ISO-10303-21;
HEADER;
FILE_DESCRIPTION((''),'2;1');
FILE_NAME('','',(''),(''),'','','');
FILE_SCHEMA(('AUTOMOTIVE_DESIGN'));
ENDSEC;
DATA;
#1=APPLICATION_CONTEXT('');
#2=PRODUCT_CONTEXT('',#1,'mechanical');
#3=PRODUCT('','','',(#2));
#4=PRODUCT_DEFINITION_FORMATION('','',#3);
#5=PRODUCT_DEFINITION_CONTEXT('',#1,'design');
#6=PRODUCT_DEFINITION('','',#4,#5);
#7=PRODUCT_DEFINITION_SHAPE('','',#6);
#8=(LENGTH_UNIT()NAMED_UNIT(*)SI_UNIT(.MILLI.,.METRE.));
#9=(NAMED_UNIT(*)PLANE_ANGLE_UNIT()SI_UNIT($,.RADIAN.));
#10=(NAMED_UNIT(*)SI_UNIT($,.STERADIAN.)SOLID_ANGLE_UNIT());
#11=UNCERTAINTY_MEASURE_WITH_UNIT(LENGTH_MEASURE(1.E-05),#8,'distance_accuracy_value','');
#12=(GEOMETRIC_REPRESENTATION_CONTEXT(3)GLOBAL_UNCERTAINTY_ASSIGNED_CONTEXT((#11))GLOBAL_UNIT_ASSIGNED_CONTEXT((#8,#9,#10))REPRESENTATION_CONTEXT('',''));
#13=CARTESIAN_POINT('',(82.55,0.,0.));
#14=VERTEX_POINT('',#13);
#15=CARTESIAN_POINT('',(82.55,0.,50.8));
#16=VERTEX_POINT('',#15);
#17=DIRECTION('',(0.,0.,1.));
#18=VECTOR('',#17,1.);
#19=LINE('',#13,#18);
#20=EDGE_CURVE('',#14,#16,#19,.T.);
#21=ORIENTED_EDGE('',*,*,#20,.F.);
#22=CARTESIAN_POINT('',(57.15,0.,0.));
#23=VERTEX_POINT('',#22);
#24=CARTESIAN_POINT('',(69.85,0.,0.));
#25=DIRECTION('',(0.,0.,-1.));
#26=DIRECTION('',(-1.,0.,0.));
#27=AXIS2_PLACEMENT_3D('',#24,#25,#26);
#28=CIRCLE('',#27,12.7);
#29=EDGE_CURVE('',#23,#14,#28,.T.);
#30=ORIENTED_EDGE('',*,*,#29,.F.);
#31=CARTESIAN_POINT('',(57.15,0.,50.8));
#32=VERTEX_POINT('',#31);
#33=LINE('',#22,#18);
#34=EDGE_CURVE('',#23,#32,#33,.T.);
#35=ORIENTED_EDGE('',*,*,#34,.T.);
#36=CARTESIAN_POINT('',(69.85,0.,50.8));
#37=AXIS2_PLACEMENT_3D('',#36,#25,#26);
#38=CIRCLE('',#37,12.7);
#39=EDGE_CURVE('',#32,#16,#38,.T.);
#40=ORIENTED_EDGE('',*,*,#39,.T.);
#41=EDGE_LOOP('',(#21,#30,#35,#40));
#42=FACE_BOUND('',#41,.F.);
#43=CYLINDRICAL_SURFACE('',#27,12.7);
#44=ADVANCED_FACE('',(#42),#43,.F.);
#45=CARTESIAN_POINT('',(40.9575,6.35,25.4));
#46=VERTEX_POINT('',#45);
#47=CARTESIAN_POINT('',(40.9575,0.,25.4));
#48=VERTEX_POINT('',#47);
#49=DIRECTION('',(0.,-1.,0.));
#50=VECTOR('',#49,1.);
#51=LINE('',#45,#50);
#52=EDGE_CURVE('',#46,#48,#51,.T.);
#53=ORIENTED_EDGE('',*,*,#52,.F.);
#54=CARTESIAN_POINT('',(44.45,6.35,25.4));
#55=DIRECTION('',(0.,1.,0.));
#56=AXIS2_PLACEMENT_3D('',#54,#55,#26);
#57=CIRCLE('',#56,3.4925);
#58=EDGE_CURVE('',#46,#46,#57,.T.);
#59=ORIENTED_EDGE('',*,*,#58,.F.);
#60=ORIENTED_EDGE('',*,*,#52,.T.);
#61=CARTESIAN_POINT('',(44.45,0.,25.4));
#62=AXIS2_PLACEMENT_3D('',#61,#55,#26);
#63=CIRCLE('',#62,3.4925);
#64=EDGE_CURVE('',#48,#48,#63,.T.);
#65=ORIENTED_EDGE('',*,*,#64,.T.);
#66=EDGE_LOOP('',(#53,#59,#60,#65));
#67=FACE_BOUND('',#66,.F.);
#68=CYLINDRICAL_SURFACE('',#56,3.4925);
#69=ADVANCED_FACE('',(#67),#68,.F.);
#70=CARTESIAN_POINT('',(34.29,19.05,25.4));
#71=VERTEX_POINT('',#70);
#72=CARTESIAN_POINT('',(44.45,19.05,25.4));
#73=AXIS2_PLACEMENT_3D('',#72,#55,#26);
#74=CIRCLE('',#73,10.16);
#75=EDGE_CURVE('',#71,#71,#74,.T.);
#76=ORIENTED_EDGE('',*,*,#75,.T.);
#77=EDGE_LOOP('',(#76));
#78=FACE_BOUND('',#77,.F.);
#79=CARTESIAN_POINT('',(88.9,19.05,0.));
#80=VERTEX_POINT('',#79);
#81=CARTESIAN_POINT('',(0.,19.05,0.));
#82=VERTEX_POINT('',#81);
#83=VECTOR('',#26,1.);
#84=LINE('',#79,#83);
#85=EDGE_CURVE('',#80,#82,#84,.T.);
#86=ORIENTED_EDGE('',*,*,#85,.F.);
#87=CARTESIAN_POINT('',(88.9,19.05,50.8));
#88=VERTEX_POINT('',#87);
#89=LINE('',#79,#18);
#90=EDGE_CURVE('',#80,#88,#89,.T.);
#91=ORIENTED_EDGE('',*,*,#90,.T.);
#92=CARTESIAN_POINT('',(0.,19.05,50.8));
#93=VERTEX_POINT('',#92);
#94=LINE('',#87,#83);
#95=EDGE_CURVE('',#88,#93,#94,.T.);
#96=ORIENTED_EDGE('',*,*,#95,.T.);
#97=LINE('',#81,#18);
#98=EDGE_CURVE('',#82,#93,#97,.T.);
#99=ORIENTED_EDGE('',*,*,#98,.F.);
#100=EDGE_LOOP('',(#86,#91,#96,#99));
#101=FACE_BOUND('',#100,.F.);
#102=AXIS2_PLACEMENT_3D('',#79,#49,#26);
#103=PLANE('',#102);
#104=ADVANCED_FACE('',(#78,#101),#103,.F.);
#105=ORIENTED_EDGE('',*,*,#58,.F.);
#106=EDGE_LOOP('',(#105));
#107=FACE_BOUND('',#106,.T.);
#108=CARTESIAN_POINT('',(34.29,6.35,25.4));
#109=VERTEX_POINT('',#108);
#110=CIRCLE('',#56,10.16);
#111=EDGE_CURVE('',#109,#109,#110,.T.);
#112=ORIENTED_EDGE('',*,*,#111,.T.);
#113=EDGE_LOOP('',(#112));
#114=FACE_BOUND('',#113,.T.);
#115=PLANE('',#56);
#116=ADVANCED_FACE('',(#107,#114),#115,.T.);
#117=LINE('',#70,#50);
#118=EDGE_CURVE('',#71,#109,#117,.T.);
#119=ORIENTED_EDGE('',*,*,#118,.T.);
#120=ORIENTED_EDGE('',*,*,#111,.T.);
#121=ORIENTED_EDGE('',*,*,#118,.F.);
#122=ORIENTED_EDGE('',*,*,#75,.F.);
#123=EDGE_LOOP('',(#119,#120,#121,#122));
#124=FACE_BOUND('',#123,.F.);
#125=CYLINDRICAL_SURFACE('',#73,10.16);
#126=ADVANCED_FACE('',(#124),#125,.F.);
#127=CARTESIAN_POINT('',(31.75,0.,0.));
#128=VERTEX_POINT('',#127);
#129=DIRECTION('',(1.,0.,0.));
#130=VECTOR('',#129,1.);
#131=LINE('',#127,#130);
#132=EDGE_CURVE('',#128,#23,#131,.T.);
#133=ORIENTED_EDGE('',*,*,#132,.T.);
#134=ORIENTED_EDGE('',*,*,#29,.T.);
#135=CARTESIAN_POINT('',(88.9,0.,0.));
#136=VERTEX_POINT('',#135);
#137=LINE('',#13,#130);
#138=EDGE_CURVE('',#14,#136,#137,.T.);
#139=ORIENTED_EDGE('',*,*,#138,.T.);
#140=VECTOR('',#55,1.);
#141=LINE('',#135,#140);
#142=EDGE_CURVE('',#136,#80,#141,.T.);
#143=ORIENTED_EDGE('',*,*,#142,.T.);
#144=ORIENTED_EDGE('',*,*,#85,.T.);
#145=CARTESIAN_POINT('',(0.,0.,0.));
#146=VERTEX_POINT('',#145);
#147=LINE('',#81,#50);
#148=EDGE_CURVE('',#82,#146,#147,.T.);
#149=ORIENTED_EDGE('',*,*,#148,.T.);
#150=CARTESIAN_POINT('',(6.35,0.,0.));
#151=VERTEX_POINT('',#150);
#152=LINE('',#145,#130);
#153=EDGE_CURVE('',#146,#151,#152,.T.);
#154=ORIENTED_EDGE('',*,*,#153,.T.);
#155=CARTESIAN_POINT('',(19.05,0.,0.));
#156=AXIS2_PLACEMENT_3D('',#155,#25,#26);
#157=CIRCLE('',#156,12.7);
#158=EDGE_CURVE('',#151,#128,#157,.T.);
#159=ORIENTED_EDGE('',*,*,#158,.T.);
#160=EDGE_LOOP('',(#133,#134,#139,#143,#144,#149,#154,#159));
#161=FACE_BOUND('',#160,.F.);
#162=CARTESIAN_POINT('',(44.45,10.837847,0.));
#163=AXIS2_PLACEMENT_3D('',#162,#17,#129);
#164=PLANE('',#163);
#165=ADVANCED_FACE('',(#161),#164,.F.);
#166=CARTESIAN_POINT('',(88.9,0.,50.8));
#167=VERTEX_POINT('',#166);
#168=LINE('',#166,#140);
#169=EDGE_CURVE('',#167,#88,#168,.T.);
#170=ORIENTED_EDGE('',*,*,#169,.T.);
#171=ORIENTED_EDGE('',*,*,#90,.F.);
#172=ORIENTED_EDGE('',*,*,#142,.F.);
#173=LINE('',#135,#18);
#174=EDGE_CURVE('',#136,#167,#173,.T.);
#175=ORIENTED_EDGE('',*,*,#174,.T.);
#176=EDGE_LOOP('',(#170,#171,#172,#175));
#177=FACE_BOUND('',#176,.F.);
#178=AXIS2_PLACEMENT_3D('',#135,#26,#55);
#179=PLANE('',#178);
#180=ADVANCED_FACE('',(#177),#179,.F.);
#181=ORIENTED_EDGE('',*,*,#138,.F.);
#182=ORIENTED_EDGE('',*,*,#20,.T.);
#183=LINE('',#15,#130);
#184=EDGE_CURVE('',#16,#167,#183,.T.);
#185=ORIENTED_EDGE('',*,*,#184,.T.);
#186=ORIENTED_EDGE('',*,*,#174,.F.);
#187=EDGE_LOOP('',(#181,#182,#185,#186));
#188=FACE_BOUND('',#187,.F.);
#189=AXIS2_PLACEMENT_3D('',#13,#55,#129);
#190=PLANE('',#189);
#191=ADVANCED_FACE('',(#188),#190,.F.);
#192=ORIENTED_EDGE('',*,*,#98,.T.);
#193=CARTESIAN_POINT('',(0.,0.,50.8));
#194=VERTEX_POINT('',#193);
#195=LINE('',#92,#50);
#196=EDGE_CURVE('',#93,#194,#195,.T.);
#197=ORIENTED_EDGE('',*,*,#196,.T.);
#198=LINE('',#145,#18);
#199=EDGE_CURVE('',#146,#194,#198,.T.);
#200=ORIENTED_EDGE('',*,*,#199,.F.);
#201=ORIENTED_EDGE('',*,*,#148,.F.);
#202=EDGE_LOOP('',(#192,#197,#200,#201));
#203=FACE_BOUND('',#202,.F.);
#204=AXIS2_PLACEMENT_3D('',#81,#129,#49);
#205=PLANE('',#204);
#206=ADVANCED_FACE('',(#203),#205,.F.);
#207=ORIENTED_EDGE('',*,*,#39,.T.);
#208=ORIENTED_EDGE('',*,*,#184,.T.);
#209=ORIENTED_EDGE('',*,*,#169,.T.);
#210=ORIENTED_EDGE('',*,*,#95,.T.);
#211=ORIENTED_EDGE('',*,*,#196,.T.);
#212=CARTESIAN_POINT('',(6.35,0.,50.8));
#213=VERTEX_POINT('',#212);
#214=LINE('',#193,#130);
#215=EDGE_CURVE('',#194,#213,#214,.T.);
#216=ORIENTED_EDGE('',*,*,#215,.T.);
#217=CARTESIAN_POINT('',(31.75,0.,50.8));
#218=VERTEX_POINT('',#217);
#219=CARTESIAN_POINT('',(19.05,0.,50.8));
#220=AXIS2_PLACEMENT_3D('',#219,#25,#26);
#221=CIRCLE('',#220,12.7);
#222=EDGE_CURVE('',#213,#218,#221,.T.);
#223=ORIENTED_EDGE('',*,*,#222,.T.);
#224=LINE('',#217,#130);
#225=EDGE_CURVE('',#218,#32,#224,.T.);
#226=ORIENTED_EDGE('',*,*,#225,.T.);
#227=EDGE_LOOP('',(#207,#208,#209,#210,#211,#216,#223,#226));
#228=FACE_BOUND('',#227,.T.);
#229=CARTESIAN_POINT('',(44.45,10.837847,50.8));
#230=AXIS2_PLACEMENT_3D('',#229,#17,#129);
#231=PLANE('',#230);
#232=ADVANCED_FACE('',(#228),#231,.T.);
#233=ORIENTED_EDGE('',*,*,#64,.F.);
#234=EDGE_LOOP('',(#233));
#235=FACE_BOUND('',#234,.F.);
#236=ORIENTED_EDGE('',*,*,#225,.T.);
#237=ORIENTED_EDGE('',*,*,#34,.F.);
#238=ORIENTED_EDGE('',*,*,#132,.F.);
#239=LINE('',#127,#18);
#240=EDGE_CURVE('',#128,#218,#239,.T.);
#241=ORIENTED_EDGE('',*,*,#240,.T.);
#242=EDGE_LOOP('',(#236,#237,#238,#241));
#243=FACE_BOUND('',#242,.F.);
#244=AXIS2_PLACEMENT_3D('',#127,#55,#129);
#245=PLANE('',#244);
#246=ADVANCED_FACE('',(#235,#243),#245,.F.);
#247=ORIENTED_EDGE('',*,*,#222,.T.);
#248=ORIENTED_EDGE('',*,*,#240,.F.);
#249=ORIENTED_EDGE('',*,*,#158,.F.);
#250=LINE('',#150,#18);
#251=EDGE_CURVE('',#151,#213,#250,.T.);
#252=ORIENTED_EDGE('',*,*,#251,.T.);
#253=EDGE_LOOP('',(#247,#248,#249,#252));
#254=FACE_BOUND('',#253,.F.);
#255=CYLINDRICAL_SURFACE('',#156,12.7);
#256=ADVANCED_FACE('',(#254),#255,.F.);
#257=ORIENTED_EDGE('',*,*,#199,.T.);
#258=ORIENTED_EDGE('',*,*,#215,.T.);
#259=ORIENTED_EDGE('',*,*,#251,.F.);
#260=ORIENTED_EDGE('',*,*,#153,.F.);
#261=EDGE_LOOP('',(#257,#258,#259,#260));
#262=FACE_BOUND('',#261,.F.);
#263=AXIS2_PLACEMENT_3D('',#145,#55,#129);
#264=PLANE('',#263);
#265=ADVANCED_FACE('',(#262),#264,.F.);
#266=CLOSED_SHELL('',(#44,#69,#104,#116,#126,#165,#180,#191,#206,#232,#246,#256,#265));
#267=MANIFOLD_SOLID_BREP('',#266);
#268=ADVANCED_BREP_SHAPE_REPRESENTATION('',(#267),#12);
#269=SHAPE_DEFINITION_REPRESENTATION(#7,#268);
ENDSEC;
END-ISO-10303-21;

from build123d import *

# Parameters (mm, degrees)
F1_DEPTH = 50.8
F2_R     = 10.16
F3_DEPTH = 12.7
F4_R     = 3.4925
F5_DEPTH = 6.351


with BuildPart() as f1:
    # F0 (on Top) → F1 (new body)
    with BuildSketch(Plane.XY):
        with BuildLine():
            Line((0, 19.05), (0, 0))
            Line((0, 0), (6.35, 0))
            ThreePointArc((6.35, 0), (19.05, 12.7), (31.75, 0))
            Line((31.75, 0), (57.15, 0))
            ThreePointArc((57.15, 0), (69.85, 12.7), (82.55, 0))
            Line((82.55, 0), (88.9, 0))
            Line((88.9, 0), (88.9, 19.05))
            Line((88.9, 19.05), (0, 19.05))
        make_face()
    extrude(amount=F1_DEPTH)

    # F2 (on face) → F3 (cut)
    with BuildSketch(Plane(origin=(0, 19.05, 0), x_dir=(-1, 0, 0), z_dir=(0, 1, 0))):
        with Locations((-44.45, 25.4)):
            Circle(F2_R)
    extrude(amount=-F3_DEPTH, mode=Mode.SUBTRACT)

    # F4 (on face) → F5 (cut, through all)
    with BuildSketch(Plane(origin=(0, 6.35, 0), x_dir=(-1, 0, 0), z_dir=(0, 1, 0))):
        with Locations((-44.45, 25.4)):
            Circle(F4_R)
    extrude(amount=-F5_DEPTH, mode=Mode.SUBTRACT)


solid = f1.part
